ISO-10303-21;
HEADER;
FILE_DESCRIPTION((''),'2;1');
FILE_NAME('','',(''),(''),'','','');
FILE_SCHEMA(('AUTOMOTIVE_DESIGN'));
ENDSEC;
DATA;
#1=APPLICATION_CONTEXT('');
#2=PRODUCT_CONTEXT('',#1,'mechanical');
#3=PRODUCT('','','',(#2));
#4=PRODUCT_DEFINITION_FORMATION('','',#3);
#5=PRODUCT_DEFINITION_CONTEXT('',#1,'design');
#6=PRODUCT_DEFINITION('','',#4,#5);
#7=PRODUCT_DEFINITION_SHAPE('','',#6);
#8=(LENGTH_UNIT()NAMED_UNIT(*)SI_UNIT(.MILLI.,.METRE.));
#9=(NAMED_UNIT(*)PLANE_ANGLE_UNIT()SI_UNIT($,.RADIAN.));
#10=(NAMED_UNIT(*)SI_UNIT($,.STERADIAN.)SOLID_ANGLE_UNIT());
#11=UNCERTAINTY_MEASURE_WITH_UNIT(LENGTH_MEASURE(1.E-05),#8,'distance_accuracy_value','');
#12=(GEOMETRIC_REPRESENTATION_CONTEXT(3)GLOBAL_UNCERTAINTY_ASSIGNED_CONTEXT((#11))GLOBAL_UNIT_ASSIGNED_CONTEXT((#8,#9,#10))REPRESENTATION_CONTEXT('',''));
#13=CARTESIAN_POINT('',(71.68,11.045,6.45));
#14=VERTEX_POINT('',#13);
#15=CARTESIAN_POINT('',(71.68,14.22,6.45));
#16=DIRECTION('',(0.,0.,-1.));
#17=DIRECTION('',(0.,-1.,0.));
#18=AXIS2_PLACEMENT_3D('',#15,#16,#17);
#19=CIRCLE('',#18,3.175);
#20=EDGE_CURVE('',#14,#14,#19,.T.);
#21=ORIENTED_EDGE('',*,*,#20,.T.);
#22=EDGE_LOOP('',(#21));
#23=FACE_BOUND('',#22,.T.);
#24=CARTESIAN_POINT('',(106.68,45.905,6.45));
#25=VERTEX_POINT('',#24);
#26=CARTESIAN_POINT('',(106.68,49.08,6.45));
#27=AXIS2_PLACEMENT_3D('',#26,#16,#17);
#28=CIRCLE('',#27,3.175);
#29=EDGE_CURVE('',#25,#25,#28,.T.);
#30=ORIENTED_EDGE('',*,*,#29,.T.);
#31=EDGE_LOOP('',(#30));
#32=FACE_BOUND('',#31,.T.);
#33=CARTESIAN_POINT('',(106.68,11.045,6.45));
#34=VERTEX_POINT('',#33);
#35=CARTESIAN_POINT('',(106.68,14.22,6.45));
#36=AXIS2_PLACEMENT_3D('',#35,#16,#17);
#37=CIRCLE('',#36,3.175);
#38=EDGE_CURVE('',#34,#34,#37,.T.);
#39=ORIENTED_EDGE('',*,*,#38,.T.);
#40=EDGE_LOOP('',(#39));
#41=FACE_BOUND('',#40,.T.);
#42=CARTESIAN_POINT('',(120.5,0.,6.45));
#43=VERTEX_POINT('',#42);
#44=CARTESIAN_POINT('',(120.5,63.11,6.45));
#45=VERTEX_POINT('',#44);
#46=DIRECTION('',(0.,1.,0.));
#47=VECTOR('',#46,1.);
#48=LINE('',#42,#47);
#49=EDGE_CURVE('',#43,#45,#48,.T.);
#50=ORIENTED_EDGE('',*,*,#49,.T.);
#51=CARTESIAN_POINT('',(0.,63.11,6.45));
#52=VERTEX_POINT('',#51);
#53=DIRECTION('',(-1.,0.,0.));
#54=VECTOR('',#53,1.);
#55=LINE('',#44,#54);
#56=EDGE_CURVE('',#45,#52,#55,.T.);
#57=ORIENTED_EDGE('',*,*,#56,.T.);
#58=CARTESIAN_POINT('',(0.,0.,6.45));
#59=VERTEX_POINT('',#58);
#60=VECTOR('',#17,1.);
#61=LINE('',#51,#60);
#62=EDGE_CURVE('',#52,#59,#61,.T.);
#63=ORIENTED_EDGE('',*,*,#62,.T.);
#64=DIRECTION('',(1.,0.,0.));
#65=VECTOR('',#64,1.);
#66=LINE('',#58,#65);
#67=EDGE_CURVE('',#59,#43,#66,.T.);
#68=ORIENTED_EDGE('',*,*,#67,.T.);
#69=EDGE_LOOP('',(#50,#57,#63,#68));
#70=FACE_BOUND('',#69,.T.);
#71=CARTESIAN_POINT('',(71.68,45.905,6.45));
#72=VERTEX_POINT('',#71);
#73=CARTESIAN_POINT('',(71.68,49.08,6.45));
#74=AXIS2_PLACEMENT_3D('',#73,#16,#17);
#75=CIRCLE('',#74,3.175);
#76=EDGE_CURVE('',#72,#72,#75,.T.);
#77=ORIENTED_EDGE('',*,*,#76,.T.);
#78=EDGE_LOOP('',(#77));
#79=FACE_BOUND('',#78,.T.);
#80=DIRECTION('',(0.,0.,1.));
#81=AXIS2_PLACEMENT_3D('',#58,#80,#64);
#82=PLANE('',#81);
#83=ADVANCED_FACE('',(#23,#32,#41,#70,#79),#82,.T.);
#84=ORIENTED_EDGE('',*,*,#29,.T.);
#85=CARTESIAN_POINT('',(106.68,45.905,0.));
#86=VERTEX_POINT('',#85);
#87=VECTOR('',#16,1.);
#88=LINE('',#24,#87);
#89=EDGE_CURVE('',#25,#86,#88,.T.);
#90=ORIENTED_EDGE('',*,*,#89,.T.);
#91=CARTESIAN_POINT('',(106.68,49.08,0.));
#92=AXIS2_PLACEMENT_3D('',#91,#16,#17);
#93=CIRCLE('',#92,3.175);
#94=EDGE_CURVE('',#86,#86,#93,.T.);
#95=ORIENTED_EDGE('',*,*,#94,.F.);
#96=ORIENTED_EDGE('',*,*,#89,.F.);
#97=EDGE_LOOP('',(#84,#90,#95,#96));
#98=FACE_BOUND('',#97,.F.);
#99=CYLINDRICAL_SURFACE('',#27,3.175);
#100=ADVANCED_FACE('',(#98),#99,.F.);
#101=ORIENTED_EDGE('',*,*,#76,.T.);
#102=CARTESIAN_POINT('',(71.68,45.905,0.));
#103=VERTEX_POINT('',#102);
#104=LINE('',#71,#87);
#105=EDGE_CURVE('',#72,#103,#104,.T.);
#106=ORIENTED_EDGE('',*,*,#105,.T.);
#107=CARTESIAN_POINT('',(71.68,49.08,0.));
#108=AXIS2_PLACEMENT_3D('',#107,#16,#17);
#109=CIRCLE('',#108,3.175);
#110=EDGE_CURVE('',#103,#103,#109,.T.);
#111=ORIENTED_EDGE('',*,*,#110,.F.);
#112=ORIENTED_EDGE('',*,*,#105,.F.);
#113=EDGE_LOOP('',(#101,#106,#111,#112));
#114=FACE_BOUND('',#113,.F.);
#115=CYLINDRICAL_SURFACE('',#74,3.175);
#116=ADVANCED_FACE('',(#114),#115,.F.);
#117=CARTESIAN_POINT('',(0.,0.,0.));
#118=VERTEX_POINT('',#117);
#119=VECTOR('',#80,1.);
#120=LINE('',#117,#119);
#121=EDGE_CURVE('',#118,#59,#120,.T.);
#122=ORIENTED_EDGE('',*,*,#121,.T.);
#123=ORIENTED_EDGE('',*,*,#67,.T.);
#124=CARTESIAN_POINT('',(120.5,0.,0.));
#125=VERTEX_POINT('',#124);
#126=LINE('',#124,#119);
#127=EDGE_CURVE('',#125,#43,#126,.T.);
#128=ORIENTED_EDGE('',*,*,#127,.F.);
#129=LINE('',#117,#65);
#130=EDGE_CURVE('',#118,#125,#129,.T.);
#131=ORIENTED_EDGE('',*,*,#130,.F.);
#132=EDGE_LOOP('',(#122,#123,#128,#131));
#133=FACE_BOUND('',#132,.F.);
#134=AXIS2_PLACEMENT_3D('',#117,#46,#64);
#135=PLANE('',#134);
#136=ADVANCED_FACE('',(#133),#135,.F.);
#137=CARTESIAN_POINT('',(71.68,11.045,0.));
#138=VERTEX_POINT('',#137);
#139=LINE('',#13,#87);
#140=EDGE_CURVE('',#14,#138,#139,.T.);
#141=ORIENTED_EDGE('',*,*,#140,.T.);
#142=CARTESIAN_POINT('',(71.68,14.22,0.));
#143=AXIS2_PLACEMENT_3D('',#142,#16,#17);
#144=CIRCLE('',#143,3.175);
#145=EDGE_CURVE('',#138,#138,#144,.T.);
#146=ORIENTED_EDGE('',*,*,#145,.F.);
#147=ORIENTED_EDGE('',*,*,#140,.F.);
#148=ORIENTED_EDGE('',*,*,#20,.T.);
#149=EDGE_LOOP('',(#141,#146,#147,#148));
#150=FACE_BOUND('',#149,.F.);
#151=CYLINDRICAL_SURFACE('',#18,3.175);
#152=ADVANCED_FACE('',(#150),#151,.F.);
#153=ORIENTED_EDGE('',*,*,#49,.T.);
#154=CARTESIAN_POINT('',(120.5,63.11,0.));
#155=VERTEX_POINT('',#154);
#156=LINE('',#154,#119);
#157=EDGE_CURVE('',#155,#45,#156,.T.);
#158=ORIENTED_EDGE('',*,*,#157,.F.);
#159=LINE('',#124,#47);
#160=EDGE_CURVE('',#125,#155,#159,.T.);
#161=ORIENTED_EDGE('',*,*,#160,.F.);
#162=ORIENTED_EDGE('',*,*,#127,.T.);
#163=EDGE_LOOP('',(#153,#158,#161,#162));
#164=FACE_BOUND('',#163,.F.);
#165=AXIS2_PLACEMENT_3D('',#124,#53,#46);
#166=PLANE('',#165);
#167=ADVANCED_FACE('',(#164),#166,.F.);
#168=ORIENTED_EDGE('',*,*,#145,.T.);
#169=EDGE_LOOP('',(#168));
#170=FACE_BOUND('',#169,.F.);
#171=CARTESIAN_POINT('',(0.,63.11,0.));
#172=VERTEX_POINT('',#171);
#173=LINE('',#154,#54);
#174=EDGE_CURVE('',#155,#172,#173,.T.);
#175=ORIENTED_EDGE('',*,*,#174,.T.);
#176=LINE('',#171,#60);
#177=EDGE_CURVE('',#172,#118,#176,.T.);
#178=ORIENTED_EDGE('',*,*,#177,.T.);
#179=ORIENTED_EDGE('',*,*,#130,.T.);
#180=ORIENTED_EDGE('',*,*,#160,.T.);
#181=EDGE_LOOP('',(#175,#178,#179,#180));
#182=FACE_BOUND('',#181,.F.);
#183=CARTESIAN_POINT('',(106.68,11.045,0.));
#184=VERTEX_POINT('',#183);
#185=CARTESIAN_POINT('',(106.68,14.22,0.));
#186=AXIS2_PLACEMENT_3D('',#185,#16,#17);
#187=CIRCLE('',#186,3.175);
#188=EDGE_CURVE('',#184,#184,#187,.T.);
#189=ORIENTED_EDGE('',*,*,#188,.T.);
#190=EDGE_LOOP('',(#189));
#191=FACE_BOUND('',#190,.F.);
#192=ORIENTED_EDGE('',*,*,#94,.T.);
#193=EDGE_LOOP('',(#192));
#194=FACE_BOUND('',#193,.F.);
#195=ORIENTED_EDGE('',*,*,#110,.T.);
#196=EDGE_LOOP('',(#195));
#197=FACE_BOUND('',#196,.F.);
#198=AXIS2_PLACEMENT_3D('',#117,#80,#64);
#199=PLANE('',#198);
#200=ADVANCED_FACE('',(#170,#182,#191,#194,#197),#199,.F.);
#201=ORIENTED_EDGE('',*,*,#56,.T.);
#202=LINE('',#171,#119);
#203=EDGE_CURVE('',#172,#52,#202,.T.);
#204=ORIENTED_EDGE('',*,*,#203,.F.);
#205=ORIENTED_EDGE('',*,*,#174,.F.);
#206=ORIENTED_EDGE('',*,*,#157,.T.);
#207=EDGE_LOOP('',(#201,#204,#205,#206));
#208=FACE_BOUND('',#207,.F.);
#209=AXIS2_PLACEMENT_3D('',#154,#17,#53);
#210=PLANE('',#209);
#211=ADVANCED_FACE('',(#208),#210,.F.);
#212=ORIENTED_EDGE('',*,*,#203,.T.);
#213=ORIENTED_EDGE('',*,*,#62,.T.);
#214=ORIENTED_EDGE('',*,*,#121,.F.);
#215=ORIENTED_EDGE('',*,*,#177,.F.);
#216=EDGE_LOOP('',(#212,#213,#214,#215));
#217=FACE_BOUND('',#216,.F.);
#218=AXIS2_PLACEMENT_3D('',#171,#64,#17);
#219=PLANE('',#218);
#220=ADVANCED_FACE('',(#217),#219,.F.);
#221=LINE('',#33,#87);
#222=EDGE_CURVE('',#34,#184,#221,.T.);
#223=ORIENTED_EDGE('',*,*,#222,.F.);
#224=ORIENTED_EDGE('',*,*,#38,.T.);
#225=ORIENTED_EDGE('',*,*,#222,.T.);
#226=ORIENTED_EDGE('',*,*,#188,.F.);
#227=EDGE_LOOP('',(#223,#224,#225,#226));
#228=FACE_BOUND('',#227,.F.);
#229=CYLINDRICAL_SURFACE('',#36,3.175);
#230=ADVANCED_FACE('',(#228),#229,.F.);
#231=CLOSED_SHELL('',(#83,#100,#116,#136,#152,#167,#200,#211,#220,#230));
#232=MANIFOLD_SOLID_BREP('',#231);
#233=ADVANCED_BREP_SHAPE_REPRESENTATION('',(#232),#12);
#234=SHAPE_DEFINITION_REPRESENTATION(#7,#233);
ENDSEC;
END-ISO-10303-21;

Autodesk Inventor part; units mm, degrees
ref_plane "YZ Plane" through (0, 0, 0) normal (1, 0, 0) x (0, 1, 0)
ref_plane "XZ Plane" through (0, 0, 0) normal (0, 1, 0) x (-1, 0, 0)
ref_plane "XY Plane" through (0, 0, 0) normal (0, 0, 1) x (1, 0, 0)
sketch "Sketch1" plane through (0, 0, 0) normal (0, 0, 1) x (1, 0, 0)
  line L0 (0, 0) -> (120.5, 0)
  line L1 (120.5, 0) -> (120.5, 63.11)
  line L2 (120.5, 63.11) -> (0, 63.11)
  line L3 (0, 63.11) -> (0, 0)
  dimension "d0" = 120.5
  dimension "d1" = 63.11
extrude "Extrusion2" add sketch "Sketch1" along normal blind 6.45
sketch "Sketch2" plane through (0, 0, 6.45) normal (0, 0, 1) x (1, 0, 0)
  point P0 (71.68, 14.22)
  point P1 (106.68, 14.22)
  point P2 (106.68, 49.08)
  point P3 (71.68, 49.08)
hole "Hole1" at (71.68, 14.22, 6.45) at (106.68, 14.22, 6.45) at (106.68, 49.08, 6.45) at (71.68, 49.08, 6.45) direction (0, 0, -1) diameter 6.35 end through all
sketch "Sketch3" plane through (0, 0, 6.45) normal (0, 0, 1) x (1, 0, 0)
  circle A0 centre (71.68, 49.08) radius 3.175 projected
  circle A1 centre (106.68, 49.08) radius 3.175 projected
  circle A2 centre (106.68, 14.22) radius 3.175 projected
  circle A3 centre (71.68, 14.22) radius 3.175 projected
  line L0 (0, 0) -> (0, 63.11) projected
  line L1 (120.5, 0) -> (0, 0) projected
  line L2 (120.5, 63.11) -> (120.5, 0) projected
  line L3 (0, 63.11) -> (120.5, 63.11) projected
sketch "Sketch4" plane through (0, 0, 0) normal (0, 0, -1) x (-1, 0, 0)
  circle A0 centre (-71.68, 49.08) radius 3.175 projected
  circle A1 centre (-106.68, 49.08) radius 3.175 projected
  circle A2 centre (-106.68, 14.22) radius 3.175 projected
  circle A3 centre (-71.68, 14.22) radius 3.175 projected
  line L0 (0, 0) -> (-120.5, 0) projected
  line L1 (0, 63.11) -> (0, 0) projected
  line L2 (-120.5, 63.11) -> (0, 63.11) projected
  line L3 (-120.5, 0) -> (-120.5, 63.11) projected
  point P0 (-89.18, 31.555)
sketch "Sketch5" plane through (0, 0, 0) normal (0, 0, -1) x (-1, 0, 0)
  circle A0 centre (-71.68, 49.08) radius 3.175 projected
  circle A1 centre (-106.68, 49.08) radius 3.175 projected
  circle A2 centre (-106.68, 14.22) radius 3.175 projected
  circle A3 centre (-71.68, 14.22) radius 3.175 projected
  line L0 (0, 0) -> (-120.5, 0) projected
  line L1 (0, 63.11) -> (0, 0) projected
  line L2 (-120.5, 63.11) -> (0, 63.11) projected
  line L3 (-120.5, 0) -> (-120.5, 63.11) projected
sketch "Sketch6" plane through (0, 0, 6.45) normal (0, 0, 1) x (1, 0, 0)
  circle A0 centre (71.68, 49.08) radius 3.175 projected
  circle A1 centre (106.68, 49.08) radius 3.175 projected
  circle A2 centre (106.68, 14.22) radius 3.175 projected
  circle A3 centre (71.68, 14.22) radius 3.175 projected
  line L0 (0, 0) -> (0, 63.11) projected
  line L1 (120.5, 0) -> (0, 0) projected
  line L2 (120.5, 63.11) -> (120.5, 0) projected
  line L3 (0, 63.11) -> (120.5, 63.11) projected
  point P0 (89.18, 31.555)
